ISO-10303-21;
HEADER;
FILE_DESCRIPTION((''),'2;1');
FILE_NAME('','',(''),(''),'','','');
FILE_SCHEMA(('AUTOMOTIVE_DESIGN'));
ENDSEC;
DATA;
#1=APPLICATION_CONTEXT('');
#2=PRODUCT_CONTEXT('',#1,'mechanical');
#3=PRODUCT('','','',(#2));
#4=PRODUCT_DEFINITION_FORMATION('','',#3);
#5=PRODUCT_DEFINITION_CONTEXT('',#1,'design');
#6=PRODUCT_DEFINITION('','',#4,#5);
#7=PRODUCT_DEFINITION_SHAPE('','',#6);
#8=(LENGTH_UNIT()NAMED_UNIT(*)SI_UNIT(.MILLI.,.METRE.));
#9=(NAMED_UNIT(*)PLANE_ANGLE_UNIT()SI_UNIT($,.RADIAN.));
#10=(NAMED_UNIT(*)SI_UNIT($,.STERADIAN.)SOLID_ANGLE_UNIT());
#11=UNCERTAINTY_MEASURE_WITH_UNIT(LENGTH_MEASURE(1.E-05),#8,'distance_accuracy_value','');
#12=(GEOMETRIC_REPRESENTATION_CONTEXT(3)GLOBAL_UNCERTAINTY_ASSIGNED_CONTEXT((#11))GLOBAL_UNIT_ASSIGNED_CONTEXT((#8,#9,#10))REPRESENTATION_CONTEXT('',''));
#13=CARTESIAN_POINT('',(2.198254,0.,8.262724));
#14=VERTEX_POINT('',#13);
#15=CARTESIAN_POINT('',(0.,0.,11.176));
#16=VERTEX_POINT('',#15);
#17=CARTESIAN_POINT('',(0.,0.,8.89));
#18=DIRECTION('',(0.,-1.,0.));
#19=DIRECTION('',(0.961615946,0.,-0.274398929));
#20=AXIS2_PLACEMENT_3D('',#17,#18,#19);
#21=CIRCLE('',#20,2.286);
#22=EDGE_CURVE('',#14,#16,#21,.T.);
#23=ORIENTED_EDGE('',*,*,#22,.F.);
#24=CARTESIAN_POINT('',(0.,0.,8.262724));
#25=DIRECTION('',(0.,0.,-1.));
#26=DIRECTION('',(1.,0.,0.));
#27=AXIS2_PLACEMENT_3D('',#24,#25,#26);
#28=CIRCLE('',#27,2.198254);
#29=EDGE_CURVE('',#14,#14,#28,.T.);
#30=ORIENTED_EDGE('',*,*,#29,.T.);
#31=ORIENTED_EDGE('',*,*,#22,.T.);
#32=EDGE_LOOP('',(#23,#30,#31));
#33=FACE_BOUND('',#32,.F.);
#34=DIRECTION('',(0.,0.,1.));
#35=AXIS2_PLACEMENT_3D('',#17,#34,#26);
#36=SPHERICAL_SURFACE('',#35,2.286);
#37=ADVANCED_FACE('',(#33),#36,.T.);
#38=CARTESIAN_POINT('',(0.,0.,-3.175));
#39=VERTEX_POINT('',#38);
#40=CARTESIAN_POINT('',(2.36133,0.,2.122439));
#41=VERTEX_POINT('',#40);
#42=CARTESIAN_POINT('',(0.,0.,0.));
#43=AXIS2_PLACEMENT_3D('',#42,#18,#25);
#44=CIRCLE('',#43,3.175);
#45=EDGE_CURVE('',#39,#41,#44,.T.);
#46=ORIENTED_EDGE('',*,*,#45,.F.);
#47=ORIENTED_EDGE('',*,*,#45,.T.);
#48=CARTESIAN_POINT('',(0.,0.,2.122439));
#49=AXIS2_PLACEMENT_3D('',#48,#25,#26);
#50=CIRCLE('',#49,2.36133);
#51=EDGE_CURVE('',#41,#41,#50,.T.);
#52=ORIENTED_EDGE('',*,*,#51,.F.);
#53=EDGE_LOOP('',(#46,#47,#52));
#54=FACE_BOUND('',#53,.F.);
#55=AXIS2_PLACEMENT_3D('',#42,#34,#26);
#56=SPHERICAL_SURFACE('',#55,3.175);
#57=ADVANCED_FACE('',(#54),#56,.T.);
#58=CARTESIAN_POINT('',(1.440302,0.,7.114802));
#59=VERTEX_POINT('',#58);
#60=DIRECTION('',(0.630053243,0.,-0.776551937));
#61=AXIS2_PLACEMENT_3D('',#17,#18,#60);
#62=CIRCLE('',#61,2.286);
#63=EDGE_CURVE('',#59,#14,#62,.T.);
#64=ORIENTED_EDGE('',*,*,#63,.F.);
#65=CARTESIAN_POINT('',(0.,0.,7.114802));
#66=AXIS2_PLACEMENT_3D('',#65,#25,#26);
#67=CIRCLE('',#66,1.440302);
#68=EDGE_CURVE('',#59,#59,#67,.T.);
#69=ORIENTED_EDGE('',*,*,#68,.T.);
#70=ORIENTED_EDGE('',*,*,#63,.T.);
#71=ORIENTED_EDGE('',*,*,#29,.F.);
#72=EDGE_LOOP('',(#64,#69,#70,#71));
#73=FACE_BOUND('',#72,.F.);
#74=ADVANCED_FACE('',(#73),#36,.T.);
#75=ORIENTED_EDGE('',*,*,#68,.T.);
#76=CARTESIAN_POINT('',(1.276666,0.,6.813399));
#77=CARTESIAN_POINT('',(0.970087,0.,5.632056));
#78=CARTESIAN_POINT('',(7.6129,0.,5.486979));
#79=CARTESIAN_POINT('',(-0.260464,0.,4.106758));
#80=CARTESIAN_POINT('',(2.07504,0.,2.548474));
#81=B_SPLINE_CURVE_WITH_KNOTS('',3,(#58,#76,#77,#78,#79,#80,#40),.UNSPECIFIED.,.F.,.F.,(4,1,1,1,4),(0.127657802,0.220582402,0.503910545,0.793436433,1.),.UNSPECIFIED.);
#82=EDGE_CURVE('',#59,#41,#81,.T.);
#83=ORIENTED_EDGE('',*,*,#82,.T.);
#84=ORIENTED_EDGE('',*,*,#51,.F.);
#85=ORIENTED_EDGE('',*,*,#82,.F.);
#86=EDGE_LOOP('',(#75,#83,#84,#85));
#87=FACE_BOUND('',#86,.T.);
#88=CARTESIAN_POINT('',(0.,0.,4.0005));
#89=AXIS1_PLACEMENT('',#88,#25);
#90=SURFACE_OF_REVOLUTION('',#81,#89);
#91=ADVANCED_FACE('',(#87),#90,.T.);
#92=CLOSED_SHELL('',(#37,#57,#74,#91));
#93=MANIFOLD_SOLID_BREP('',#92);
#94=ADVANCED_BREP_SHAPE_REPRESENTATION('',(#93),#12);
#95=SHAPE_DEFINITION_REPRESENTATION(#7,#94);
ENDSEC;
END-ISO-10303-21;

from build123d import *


with BuildPart() as f1:
    # F0 (on Front) → F1 (revolve)
    with BuildSketch(Plane.XZ):
        with BuildLine():
            Line((0, 11.176), (0, -3.175))
            ThreePointArc((0, -3.175), (2.8999455123, -1.2926488408), (2.3613298928, 2.122438724))
            add(Edge.make_bspline(
                [(1.4403017125, 7.114802271), (1.2766662737, 6.8133989289), (0.9700872051, 5.632056008), (7.6128997933, 5.4869793507), (-0.2604636098, 4.1067576306), (2.0750401678, 2.5484737288), (2.3613298928, 2.122438724)],
                knots=[0.1276578017, 0.1276578017, 0.1276578017, 0.1276578017, 0.2205824025, 0.5039105454, 0.793436433, 1, 1, 1, 1], degree=3))
            add(Edge.make_bspline(
                [(2.1982540528, 8.2627240484), (2.0558248606, 7.9611229834), (1.66510053, 7.5288636469), (1.4403017125, 7.114802271)],
                knots=[0, 0, 0, 0, 0.1276578017, 0.1276578017, 0.1276578017, 0.1276578017], degree=3))
            ThreePointArc((2.1982540528, 8.2627240484), (1.8247943481, 10.2669246847), (0, 11.176))
        make_face()
        with BuildLine():
            add(Edge.make_bspline(
                [(2.1982540528, 8.2627240484), (2.0558248606, 7.9611229834), (1.66510053, 7.5288636469), (1.4403017125, 7.114802271)],
                knots=[0, 0, 0, 0, 0.1276578017, 0.1276578017, 0.1276578017, 0.1276578017], degree=3))
            ThreePointArc((1.4403017125, 7.114802271), (1.907669551, 7.6303997126), (2.1982540528, 8.2627240484))
        make_face()
    revolve(axis=Axis((0, 0, 4.0005), (0, 0, -1)))


solid = f1.part
